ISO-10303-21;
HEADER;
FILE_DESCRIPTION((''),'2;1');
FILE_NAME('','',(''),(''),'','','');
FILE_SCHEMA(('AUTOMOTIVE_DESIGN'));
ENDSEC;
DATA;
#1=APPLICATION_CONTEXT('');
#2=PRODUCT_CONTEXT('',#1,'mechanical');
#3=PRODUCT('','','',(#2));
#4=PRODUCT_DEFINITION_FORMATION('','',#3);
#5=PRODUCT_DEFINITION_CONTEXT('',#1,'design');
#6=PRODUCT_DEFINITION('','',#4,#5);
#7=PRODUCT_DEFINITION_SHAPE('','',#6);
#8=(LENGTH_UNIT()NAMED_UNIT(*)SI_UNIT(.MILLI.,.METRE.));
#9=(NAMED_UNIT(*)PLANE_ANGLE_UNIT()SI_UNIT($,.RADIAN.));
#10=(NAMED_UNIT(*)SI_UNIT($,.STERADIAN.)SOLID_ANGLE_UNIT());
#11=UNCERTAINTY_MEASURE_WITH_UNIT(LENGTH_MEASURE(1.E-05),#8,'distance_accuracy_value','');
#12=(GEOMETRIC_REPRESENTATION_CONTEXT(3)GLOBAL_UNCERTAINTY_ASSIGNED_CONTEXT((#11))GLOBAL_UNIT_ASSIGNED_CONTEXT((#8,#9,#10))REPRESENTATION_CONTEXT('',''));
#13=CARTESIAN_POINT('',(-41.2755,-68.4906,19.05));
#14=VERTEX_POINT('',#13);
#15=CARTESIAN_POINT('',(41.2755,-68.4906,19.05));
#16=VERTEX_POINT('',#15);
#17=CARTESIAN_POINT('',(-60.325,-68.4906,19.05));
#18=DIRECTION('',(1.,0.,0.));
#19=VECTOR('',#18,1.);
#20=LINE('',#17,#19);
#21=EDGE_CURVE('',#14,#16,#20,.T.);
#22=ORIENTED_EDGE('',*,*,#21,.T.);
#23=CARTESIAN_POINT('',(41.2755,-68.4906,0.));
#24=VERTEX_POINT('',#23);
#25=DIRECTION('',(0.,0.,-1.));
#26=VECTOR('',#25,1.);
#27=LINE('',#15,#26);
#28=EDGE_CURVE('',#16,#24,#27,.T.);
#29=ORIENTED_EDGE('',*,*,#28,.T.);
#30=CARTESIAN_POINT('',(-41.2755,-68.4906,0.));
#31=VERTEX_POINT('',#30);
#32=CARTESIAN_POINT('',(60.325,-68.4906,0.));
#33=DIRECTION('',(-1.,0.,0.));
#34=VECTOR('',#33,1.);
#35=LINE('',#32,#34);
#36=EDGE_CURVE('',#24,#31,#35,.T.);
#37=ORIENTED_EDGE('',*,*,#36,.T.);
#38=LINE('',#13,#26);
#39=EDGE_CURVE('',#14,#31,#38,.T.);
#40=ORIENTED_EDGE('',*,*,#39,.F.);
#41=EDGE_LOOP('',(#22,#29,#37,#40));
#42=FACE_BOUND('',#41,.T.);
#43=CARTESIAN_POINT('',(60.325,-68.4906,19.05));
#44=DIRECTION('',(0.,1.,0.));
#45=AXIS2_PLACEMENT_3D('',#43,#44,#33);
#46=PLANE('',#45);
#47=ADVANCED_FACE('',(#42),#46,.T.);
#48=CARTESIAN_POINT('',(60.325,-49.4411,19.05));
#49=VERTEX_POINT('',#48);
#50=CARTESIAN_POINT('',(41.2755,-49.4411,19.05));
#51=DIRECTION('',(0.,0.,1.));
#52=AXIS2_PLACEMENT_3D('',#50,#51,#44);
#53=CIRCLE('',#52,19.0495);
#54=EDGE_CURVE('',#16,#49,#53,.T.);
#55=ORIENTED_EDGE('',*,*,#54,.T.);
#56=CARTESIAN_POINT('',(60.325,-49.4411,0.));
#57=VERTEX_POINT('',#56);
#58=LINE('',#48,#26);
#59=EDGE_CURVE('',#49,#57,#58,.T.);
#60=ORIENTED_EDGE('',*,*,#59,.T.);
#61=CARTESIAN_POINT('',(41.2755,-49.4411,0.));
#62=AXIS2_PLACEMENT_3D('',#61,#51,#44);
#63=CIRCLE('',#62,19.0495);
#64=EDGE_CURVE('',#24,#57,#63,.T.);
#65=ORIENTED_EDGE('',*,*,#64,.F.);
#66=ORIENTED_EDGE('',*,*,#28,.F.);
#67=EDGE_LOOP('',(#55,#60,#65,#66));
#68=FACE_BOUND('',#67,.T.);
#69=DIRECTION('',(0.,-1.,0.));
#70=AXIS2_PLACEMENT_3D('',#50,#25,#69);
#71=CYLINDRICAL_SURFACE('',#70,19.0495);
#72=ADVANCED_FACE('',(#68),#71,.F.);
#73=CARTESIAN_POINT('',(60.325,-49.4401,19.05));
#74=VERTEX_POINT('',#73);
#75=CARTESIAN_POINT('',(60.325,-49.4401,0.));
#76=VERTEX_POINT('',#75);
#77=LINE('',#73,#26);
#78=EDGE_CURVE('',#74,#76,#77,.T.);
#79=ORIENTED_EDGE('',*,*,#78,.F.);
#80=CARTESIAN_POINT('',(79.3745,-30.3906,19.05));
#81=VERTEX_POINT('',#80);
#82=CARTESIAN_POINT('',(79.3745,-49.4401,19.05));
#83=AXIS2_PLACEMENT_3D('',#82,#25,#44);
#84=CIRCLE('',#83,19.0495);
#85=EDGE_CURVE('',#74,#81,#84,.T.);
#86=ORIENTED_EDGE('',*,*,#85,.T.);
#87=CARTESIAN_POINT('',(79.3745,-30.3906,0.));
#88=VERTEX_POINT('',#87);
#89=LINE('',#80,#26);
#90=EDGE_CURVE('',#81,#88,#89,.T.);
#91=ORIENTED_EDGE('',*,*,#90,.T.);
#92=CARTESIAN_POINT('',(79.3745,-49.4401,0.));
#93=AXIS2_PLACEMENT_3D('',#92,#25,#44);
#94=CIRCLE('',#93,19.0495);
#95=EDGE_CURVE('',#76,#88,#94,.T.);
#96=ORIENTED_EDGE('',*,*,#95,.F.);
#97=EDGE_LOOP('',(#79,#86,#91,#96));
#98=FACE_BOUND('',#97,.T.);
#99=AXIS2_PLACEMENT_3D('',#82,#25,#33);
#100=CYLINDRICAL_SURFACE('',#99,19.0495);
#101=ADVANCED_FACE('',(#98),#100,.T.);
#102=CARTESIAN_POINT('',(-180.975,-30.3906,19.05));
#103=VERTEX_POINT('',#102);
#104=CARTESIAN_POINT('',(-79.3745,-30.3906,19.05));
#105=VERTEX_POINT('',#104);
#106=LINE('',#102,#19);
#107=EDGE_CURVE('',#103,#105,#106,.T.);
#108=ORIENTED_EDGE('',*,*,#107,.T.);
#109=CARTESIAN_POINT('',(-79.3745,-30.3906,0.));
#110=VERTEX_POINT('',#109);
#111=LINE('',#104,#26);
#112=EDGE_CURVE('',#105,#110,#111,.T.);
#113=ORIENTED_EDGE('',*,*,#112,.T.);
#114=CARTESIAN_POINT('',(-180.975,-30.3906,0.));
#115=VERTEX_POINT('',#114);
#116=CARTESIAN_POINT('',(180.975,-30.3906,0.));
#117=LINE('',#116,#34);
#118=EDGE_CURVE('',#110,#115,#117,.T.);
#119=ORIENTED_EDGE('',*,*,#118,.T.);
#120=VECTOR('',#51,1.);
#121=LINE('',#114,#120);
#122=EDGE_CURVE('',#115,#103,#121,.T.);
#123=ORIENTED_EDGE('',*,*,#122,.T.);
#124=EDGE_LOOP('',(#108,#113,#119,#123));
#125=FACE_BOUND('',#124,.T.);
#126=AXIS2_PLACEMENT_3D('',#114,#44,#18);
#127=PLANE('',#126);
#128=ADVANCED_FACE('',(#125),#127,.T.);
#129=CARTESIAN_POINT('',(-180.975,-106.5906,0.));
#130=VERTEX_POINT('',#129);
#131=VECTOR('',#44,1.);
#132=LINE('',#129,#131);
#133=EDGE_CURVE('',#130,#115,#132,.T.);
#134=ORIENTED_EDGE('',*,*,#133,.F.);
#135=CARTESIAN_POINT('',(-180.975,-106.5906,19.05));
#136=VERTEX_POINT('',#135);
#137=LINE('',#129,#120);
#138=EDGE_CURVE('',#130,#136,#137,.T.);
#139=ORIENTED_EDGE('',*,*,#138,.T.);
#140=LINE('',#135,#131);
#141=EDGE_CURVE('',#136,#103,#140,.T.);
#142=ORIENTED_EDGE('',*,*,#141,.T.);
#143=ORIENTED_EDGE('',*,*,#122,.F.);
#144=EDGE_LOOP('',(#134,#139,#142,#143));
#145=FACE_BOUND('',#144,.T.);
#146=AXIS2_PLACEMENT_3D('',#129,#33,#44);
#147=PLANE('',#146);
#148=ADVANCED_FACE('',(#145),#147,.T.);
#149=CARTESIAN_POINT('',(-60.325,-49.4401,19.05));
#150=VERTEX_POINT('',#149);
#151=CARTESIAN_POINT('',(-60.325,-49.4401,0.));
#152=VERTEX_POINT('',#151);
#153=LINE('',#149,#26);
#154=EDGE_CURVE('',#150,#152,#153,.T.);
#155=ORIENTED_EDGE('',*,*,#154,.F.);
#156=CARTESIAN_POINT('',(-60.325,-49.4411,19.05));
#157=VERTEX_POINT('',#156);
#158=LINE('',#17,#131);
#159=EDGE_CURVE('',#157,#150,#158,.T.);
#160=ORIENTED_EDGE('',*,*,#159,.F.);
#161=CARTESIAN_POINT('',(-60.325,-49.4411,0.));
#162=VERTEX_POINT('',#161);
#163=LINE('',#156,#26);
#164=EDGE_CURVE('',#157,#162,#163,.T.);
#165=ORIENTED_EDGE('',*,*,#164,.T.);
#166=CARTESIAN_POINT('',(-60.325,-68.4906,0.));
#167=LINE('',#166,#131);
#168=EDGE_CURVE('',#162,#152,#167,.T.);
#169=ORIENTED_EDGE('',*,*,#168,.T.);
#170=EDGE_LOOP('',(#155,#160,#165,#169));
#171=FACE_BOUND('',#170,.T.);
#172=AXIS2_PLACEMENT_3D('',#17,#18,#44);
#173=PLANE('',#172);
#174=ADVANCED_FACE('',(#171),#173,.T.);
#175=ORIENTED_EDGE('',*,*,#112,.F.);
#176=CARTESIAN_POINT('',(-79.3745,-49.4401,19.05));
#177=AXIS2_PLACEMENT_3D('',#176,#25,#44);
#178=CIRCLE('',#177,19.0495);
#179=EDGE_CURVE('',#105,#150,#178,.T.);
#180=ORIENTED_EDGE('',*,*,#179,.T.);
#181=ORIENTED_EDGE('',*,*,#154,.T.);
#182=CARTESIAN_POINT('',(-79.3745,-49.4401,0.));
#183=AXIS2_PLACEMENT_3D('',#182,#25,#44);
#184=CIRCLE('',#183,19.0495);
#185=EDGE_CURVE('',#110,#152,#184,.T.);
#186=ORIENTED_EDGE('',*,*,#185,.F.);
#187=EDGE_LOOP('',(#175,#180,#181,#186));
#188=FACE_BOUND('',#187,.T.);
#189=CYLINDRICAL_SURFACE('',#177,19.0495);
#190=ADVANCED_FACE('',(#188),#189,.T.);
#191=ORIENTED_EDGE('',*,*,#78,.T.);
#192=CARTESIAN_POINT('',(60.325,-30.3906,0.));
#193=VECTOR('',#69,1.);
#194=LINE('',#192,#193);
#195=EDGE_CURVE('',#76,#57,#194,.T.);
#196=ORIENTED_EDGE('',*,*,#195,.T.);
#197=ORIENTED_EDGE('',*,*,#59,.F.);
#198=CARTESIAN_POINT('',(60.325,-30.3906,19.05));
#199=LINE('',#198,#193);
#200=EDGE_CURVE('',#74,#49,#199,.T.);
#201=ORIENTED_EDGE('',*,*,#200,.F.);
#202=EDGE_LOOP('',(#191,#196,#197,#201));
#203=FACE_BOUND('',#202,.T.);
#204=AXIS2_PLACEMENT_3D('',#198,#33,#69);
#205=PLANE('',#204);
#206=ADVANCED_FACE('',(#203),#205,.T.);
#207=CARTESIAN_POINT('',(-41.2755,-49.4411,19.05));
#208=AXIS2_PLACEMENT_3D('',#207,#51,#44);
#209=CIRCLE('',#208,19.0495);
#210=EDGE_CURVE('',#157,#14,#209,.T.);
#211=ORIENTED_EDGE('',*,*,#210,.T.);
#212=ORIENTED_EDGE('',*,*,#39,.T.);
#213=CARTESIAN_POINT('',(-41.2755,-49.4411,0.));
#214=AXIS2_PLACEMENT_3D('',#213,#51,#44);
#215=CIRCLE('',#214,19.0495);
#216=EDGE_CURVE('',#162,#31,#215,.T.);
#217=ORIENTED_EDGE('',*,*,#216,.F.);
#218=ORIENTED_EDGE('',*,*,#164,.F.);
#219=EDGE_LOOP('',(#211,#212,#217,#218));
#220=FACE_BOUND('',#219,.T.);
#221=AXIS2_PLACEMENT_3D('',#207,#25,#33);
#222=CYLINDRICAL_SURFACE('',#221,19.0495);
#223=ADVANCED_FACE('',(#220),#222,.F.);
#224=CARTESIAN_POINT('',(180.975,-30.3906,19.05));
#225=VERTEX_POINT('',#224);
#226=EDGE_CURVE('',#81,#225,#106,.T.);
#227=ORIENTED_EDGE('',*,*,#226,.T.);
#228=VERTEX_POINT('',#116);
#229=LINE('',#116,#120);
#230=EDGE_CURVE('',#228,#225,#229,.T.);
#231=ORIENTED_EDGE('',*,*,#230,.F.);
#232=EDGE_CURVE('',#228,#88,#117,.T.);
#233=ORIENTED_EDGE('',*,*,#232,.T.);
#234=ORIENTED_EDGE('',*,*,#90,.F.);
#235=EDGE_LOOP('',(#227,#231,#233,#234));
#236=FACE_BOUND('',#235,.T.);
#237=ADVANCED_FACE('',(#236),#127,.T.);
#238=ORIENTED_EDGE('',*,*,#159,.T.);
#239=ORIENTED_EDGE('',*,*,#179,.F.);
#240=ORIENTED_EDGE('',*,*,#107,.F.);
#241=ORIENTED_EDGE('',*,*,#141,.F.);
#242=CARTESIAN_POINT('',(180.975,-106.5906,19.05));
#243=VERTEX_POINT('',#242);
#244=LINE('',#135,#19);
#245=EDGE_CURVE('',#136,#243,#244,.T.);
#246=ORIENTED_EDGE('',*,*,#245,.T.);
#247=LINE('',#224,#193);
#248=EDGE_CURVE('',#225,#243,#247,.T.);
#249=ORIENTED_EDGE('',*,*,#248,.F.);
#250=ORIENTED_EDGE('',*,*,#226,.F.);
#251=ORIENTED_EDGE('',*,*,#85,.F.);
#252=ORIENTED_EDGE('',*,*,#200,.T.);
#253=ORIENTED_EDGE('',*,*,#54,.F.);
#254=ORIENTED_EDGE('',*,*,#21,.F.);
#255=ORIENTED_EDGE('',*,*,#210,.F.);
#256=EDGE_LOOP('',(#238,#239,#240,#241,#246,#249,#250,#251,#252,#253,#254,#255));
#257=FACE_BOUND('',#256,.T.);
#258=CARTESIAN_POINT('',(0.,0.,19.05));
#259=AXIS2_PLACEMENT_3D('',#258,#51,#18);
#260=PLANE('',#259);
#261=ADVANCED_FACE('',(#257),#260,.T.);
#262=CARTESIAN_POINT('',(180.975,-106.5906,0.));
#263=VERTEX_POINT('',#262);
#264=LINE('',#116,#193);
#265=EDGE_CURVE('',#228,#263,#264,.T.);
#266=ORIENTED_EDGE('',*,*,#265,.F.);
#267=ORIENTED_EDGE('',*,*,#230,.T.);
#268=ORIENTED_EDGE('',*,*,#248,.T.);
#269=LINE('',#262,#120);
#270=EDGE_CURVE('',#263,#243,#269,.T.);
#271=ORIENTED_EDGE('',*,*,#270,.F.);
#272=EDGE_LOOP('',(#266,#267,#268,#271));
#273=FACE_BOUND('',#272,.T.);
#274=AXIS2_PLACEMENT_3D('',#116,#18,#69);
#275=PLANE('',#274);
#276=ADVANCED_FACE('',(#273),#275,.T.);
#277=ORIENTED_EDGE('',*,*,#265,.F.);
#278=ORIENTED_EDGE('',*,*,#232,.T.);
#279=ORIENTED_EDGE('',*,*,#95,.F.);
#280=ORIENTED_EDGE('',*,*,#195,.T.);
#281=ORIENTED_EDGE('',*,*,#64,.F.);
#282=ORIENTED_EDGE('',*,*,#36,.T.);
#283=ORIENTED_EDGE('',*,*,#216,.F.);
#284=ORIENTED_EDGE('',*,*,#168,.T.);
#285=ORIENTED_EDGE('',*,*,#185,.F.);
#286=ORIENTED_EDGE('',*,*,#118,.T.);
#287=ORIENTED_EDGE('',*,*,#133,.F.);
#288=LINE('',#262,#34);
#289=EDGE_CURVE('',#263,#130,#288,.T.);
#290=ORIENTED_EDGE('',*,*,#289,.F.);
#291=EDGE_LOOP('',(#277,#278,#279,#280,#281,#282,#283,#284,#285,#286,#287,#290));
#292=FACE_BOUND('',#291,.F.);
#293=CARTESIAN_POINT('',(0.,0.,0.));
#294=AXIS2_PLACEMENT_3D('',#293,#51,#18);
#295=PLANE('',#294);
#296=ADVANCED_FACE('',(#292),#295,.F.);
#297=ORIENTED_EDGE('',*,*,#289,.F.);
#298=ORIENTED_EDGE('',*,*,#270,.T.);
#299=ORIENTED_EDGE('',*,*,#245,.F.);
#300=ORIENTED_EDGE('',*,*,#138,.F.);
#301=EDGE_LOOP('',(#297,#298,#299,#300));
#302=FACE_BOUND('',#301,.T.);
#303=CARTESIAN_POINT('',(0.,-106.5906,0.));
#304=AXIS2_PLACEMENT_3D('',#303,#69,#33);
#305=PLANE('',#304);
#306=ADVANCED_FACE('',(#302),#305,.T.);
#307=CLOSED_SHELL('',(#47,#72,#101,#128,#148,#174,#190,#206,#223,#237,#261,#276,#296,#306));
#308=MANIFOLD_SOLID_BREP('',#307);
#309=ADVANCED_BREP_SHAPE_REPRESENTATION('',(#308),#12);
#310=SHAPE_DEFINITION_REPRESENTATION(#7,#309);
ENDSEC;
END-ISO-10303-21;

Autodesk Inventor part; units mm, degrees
ref_plane "YZ Plane" through (0, 0, 0) normal (1, 0, 0) x (0, 1, 0)
ref_plane "XZ Plane" through (0, 0, 0) normal (0, 1, 0) x (-1, 0, 0)
ref_plane "XY Plane" through (0, 0, 0) normal (0, 0, 1) x (1, 0, 0)
sketch "Sketch1" plane through (0, 0, 0) normal (0, 0, 1) x (1, 0, 0)
  line L0 (-180.975, -30.3906) -> (180.975, -30.3906)
  line L1 (180.975, -30.3906) -> (180.975, -106.5906)
  line L2 (180.975, -106.5906) -> (-180.975, -106.5906)
  line L3 (-180.975, -106.5906) -> (-180.975, -30.3906)
  line L4 (0, 21.3181) -> (0, -127.9087) projected
  point P0 (0, 0)
  dimension "d0" = 361.95
  dimension "d1" = 76.2
  dimension "d4" = 180.975
extrude "Extrusion1" add sketch "Sketch1" along normal blind 19.05
sketch "Sketch2" plane through (0, 0, 19.05) normal (0, 0, 1) x (1, 0, 0)
  line L0 (0, 21.3181) -> (0, -127.9087) projected
  line L1 (180.975, -30.3906) -> (-180.975, -30.3906) projected
  line L2 (-60.325, -30.3906) -> (60.325, -30.3906)
  line L3 (60.325, -30.3906) -> (60.325, -68.4906)
  line L4 (60.325, -68.4906) -> (-60.325, -68.4906)
  line L5 (-60.325, -68.4906) -> (-60.325, -30.3906)
  point P0 (0, 0)
  dimension "d5" = 120.65
  dimension "d6" = 60.325
  dimension "d7" = 38.1
extrude "Extrusion2" cut sketch "Sketch2" against normal blind 19.05
fillet "Fillet1" radius 19.05 4 edges at (-60.325, -30.3906, 9.525) (60.325, -30.3906, 9.525) (60.325, -68.4906, 9.525) (-60.325, -68.4906, 9.525)
equation "\"d4\" = 0.5 * d0"
equation "\"d5\" = 0.333333 * d0"
equation "\"d6\" = 0.5 * d5"
properties part number "Drawer ends" material "Wood (Cherry)"
